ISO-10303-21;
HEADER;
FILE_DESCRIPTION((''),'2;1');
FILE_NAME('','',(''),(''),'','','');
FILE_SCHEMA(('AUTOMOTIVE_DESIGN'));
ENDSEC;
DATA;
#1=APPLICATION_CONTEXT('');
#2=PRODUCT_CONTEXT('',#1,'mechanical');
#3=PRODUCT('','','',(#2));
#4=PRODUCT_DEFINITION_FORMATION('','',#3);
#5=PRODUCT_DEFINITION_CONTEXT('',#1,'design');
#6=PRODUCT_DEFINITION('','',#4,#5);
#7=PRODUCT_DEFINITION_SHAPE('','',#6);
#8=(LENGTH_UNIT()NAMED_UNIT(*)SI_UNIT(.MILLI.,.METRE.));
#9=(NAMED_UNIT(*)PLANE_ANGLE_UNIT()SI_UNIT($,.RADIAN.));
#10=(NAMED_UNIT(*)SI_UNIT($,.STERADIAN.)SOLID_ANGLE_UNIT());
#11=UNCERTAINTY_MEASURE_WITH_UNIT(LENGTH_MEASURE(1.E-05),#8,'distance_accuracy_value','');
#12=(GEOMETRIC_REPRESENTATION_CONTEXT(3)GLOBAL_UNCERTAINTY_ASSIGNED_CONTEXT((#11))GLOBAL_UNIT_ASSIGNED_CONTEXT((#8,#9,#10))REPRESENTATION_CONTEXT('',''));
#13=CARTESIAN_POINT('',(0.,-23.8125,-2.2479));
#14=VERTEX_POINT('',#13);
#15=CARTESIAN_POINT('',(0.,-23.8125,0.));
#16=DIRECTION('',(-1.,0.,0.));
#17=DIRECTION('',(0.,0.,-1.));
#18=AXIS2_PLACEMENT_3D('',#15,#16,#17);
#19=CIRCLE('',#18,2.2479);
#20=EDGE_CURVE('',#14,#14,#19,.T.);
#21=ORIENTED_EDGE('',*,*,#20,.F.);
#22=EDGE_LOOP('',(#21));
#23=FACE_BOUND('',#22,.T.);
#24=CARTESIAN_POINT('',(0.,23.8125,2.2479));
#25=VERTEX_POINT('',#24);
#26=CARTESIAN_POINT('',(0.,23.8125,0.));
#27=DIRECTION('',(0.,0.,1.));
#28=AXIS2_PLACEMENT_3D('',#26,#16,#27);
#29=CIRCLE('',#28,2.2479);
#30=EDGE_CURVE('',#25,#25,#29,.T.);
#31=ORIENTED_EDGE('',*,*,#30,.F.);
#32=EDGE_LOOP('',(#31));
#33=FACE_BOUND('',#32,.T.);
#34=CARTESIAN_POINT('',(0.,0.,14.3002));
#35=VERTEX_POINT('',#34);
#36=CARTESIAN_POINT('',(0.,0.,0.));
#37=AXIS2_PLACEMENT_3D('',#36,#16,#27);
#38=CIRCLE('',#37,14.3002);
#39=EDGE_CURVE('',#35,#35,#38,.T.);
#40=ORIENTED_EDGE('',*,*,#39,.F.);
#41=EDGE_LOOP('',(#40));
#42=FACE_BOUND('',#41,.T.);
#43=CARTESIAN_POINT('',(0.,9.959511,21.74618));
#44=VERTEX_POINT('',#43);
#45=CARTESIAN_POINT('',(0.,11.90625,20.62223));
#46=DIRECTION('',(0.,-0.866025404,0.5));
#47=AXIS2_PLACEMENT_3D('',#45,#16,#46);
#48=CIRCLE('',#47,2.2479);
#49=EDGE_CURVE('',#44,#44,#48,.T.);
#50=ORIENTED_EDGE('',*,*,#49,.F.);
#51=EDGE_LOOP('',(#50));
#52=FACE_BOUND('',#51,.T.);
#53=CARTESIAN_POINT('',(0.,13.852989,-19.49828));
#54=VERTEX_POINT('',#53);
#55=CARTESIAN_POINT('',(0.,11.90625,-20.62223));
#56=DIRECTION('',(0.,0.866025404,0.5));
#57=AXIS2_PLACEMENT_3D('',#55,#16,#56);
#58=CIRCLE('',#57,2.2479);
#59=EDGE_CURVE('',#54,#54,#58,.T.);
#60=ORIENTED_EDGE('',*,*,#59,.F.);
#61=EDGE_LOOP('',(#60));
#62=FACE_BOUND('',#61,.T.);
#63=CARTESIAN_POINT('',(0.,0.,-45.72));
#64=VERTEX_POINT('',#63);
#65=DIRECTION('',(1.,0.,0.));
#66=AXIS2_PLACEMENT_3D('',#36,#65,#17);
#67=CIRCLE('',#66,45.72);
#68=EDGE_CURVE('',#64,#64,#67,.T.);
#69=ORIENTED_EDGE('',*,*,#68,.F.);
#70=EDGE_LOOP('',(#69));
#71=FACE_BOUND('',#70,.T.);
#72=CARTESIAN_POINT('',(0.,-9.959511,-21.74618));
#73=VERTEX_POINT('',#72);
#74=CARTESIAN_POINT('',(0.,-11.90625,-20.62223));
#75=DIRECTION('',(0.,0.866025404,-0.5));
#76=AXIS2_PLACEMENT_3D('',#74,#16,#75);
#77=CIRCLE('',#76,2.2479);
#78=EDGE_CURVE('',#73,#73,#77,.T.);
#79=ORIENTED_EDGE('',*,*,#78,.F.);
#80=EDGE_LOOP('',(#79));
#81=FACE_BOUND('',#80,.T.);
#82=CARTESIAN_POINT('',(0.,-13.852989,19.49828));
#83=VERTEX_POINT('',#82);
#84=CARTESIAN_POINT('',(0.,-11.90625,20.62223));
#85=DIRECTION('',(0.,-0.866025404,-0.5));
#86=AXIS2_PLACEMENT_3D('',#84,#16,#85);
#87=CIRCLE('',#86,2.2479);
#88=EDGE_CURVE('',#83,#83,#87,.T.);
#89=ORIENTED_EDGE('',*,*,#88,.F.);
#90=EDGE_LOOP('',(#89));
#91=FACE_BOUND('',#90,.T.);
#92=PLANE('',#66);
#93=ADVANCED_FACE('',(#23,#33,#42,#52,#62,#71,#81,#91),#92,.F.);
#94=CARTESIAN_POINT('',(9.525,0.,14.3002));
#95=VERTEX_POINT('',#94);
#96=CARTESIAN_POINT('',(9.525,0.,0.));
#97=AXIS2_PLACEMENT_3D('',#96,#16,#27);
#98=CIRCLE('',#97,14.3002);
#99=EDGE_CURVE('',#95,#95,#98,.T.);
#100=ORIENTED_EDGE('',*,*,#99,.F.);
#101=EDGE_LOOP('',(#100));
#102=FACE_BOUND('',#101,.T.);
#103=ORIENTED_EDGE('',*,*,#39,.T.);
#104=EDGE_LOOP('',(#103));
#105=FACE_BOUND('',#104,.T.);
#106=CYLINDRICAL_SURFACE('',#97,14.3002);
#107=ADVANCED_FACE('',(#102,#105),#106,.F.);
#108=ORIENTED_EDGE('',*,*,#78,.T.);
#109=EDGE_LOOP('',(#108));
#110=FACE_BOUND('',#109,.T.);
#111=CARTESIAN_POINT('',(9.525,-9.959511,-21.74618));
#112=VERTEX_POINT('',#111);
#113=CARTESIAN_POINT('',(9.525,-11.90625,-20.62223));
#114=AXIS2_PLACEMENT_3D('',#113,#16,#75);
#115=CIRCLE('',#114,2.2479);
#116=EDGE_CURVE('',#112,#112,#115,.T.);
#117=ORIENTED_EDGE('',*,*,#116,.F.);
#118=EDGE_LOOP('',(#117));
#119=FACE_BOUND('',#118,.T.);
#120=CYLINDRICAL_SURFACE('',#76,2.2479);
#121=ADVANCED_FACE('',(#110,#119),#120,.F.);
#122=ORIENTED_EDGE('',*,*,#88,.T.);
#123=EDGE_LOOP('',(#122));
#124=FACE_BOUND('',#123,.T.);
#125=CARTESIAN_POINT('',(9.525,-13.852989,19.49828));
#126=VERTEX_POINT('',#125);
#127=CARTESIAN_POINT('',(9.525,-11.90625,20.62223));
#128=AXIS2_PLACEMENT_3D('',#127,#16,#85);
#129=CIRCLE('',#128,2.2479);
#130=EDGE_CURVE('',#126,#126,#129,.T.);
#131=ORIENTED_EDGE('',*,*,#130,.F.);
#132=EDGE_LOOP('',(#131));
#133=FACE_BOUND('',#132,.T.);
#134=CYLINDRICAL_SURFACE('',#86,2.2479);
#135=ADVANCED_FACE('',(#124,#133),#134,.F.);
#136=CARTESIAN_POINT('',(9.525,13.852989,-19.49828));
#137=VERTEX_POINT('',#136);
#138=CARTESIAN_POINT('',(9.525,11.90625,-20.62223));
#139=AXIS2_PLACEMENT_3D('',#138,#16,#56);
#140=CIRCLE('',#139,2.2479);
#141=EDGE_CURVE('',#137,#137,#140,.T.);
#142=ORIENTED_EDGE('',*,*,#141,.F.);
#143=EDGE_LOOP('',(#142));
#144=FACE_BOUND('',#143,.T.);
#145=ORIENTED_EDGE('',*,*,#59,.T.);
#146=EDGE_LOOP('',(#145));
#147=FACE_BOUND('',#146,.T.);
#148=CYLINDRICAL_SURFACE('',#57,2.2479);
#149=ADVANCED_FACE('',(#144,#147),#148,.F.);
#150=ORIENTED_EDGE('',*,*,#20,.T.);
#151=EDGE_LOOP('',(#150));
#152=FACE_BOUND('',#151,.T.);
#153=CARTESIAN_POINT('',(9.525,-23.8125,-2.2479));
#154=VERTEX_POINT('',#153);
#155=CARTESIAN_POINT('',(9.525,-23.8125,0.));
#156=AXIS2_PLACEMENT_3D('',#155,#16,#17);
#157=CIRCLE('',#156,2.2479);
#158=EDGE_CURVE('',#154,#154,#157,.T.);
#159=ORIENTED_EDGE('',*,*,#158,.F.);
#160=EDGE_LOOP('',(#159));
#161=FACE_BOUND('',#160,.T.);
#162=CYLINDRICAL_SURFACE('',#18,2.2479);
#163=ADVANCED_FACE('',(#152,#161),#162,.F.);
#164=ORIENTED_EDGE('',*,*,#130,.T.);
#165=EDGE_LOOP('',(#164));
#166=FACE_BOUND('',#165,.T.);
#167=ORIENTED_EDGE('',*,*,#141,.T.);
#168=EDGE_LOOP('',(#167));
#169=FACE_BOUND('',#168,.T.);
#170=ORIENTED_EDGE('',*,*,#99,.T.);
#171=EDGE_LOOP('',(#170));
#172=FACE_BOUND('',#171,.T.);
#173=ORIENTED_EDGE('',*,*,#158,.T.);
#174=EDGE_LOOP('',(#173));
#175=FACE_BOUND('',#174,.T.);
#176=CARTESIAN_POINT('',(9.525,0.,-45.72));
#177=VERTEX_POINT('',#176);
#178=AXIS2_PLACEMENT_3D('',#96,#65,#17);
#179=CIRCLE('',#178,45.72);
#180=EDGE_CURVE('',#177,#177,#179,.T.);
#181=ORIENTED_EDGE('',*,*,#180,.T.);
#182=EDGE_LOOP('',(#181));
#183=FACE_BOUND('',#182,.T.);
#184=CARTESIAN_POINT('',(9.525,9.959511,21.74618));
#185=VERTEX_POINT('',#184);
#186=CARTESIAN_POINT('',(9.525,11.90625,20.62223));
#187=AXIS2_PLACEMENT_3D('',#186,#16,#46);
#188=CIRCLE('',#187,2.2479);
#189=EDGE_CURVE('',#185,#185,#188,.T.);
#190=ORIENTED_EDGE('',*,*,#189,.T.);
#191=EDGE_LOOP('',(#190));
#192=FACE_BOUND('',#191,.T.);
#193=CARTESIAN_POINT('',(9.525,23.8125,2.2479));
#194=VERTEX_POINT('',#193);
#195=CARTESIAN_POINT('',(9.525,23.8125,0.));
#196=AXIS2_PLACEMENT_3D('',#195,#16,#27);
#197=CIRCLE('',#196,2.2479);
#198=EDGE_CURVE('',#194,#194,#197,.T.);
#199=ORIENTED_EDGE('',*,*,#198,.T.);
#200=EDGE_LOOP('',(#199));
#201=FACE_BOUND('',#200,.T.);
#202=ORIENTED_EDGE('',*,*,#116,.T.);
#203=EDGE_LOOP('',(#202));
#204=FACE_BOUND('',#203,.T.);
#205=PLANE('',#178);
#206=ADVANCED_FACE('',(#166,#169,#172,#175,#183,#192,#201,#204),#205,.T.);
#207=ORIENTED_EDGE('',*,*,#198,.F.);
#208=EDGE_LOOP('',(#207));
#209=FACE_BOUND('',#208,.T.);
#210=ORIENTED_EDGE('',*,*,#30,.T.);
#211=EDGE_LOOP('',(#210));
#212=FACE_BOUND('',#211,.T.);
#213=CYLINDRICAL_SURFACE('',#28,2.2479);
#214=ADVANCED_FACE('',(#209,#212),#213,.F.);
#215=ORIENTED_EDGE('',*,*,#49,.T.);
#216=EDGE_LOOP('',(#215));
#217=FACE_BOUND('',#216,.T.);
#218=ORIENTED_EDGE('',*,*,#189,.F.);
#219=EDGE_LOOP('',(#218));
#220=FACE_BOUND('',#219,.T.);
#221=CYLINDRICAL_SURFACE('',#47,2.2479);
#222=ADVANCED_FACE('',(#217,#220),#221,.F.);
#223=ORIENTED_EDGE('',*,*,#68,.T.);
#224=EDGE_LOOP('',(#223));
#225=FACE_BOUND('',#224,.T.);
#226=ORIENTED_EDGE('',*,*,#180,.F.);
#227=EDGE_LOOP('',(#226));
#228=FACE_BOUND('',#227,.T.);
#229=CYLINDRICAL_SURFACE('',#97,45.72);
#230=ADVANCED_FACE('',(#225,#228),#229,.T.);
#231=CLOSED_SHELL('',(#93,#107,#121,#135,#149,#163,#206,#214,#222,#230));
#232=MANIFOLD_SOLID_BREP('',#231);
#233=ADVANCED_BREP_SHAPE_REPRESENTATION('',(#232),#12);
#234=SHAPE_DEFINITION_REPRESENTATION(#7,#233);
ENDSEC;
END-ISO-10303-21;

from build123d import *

# Parameters (mm, degrees)
SKETCH1_R             = 45.72
BOSS_EXTRUDE1_DEPTH   = 9.525
SKETCH2_R             = 14.3002
CUT_EXTRUDE1_DEPTH    = 10.525
F_8_CLEARANCE_HOLE1_D = 4.4958
CIRPATTERN1_COUNT     = 6


with BuildPart() as part:
    # Sketch1 → Boss-Extrude1 (new body)
    with BuildSketch(Plane(origin=(0, 0, 0), x_dir=(0, 0, -1), z_dir=(1, 0, 0))):
        Circle(SKETCH1_R)
    extrude(amount=BOSS_EXTRUDE1_DEPTH)

    # Sketch2 → Cut-Extrude1 (cut, through all)
    with BuildSketch(Plane.ZY):
        Circle(SKETCH2_R)
    extrude(amount=-CUT_EXTRUDE1_DEPTH, mode=Mode.SUBTRACT)

    # #8 Clearance Hole1 (through all)
    with Locations(Plane.ZY):
        with Locations((0, 23.8125)):
            f_8_clearance_hole1 = Hole(F_8_CLEARANCE_HOLE1_D / 2)

    # CirPattern1: #8 Clearance Hole1 ×6 about axis
    cirpattern1_axis = Axis((0, 0, 0), (1, 0, 0))
    for i in range(1, CIRPATTERN1_COUNT):
        add(f_8_clearance_hole1.rotate(cirpattern1_axis, i * 360 / CIRPATTERN1_COUNT), mode=Mode.SUBTRACT)


solid = part.part
